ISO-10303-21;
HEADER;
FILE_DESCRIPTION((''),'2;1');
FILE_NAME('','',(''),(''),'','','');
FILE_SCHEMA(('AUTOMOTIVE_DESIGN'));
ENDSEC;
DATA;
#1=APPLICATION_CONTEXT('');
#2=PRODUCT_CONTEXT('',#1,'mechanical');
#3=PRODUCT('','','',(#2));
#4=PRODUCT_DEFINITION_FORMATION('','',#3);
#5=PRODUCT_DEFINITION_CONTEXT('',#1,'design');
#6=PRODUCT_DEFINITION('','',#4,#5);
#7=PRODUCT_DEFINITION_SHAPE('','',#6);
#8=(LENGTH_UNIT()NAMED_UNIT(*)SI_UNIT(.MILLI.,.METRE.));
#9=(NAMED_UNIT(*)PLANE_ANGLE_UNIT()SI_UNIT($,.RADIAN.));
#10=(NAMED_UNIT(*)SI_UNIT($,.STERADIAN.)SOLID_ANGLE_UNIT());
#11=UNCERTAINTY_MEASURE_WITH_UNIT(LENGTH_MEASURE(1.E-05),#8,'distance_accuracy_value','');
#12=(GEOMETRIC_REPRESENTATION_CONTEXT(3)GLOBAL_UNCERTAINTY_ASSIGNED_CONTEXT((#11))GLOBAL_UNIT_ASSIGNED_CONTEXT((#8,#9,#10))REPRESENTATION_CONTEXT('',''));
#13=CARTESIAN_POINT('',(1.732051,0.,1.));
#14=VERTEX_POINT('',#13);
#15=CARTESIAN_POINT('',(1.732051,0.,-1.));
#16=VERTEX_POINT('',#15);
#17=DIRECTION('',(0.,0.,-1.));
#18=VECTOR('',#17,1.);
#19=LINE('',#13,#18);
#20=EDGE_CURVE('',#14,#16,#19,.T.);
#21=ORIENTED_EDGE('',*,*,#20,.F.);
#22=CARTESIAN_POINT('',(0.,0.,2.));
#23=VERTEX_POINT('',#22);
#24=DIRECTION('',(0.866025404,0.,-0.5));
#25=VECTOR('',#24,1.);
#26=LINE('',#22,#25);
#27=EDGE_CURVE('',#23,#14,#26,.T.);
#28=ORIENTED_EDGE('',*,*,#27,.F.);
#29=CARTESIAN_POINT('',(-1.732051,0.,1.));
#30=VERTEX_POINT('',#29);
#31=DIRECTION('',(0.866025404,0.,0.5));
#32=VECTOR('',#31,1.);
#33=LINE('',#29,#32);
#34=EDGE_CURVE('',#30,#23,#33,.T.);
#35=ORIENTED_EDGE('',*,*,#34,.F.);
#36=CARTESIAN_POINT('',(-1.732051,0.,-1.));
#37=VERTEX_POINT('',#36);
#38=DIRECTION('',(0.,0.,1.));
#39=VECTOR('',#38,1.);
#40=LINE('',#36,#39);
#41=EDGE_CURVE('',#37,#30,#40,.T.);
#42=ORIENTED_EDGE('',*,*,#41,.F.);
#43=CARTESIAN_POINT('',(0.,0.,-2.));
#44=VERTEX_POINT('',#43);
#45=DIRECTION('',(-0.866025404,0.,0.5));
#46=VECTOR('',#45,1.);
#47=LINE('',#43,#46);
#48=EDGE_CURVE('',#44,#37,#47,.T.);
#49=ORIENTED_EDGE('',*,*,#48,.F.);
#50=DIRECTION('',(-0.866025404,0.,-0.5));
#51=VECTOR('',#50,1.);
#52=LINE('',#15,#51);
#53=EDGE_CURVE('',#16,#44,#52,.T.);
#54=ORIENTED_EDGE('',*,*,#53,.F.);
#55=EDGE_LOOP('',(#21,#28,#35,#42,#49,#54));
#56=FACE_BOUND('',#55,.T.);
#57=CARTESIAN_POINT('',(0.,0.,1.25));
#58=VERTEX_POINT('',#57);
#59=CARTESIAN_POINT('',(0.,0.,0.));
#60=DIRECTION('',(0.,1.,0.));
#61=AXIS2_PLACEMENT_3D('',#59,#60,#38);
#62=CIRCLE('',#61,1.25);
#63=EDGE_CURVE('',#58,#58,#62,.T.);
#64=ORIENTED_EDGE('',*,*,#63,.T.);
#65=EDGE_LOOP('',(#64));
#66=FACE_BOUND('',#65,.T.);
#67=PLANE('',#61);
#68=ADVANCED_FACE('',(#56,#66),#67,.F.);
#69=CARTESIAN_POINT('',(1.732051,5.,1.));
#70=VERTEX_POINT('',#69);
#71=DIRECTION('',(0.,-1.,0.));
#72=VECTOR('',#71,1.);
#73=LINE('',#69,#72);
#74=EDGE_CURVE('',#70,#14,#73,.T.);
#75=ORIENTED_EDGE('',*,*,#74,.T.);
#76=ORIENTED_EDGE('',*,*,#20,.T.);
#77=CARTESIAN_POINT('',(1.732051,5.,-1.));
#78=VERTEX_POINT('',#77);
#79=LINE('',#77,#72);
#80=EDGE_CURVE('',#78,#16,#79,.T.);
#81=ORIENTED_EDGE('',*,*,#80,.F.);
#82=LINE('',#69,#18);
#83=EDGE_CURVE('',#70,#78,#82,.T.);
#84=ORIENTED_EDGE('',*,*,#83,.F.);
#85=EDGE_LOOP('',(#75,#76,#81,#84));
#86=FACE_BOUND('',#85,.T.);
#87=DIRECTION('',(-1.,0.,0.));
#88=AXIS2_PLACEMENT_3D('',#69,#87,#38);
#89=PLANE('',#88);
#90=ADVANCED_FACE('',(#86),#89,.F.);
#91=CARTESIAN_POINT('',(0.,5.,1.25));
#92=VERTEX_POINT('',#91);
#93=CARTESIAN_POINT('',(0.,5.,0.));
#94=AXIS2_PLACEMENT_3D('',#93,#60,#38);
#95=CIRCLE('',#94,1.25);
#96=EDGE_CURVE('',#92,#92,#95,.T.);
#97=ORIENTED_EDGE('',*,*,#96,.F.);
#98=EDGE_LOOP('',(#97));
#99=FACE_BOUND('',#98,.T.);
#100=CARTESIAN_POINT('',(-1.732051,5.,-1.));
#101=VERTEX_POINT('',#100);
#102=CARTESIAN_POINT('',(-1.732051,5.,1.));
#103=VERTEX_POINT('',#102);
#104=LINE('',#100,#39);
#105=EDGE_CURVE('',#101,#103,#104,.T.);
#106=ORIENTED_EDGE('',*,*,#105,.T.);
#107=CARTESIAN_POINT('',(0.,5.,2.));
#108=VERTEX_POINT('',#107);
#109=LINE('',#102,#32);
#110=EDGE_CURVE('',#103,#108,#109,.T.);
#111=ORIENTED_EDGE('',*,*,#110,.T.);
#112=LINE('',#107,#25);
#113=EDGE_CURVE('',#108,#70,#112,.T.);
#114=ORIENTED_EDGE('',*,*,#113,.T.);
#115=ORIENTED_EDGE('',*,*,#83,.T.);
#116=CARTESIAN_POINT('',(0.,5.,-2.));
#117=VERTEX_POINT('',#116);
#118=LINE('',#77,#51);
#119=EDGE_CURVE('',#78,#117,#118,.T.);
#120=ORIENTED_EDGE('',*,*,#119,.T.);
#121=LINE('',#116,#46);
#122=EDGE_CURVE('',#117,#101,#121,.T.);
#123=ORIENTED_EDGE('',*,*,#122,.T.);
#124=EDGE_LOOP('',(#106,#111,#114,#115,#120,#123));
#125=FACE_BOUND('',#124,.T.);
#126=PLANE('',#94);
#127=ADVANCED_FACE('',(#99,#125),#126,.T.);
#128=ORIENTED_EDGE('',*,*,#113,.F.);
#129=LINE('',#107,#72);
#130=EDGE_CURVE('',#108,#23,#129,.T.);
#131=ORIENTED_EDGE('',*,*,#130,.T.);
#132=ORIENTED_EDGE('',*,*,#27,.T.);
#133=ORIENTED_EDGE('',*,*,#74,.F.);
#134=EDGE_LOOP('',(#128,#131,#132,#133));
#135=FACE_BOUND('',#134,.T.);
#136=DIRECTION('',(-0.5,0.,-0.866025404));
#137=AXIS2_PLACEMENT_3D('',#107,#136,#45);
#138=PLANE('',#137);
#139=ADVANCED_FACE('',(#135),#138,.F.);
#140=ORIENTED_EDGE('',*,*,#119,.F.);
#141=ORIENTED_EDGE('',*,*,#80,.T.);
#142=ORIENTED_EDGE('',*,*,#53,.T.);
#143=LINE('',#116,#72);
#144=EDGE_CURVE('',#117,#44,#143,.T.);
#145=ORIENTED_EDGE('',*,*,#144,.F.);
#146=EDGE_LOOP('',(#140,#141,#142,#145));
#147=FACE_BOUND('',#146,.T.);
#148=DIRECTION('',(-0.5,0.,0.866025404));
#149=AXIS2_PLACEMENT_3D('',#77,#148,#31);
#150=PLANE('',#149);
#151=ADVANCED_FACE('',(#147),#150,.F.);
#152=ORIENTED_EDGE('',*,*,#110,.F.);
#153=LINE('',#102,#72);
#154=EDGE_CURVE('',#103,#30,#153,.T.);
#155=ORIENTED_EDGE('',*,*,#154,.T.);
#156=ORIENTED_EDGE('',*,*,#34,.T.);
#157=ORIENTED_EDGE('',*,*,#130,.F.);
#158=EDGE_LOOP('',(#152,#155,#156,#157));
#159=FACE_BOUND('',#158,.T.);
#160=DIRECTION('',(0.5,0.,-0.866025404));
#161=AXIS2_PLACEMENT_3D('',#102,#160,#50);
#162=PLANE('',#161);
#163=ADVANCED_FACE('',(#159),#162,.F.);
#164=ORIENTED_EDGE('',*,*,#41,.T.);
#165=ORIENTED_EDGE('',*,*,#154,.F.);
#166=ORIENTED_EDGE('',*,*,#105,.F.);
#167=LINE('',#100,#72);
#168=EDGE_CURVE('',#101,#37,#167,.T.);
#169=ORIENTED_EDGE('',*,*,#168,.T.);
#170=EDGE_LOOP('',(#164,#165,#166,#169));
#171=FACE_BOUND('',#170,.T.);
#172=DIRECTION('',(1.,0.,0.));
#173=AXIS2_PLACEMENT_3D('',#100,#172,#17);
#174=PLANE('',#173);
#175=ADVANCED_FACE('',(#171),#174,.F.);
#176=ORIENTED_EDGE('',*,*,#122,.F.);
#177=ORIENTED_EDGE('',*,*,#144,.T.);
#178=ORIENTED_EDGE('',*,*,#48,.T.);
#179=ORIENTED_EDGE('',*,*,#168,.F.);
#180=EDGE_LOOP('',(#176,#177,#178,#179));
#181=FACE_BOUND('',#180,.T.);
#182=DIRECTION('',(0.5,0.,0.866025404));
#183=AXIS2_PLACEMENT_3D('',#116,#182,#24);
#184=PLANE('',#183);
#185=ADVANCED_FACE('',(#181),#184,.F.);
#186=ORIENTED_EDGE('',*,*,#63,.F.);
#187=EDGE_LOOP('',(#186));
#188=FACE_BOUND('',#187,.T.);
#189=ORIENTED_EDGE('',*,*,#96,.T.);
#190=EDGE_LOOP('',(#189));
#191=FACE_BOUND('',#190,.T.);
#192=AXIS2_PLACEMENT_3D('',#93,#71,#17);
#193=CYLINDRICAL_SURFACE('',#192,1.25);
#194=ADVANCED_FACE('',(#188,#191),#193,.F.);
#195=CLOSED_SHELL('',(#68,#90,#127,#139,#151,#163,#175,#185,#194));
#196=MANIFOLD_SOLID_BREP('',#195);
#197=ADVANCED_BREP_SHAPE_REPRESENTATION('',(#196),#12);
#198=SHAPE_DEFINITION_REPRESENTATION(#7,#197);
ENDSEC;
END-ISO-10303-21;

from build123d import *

# Parameters (mm, degrees)
SKETCH_1_R      = 1.25
EXTRUDE_1_DEPTH = 5


with BuildPart() as part:
    # 草图1 → 凸台-拉伸1 (new body)
    with BuildSketch(Plane(origin=(0, 0, 0), x_dir=(1, 0, 0), z_dir=(0, 1, 0))):
        Polygon((0, 2), (-1.732050808, 1), (-1.732050808, -1), (0, -2), (1.732050808, -1), (1.732050808, 1), align=None)
        with Locations(Location((0, 0, 0), (0, 0, 270))):
            Circle(SKETCH_1_R, mode=Mode.SUBTRACT)
    extrude(amount=EXTRUDE_1_DEPTH)


solid = part.part
